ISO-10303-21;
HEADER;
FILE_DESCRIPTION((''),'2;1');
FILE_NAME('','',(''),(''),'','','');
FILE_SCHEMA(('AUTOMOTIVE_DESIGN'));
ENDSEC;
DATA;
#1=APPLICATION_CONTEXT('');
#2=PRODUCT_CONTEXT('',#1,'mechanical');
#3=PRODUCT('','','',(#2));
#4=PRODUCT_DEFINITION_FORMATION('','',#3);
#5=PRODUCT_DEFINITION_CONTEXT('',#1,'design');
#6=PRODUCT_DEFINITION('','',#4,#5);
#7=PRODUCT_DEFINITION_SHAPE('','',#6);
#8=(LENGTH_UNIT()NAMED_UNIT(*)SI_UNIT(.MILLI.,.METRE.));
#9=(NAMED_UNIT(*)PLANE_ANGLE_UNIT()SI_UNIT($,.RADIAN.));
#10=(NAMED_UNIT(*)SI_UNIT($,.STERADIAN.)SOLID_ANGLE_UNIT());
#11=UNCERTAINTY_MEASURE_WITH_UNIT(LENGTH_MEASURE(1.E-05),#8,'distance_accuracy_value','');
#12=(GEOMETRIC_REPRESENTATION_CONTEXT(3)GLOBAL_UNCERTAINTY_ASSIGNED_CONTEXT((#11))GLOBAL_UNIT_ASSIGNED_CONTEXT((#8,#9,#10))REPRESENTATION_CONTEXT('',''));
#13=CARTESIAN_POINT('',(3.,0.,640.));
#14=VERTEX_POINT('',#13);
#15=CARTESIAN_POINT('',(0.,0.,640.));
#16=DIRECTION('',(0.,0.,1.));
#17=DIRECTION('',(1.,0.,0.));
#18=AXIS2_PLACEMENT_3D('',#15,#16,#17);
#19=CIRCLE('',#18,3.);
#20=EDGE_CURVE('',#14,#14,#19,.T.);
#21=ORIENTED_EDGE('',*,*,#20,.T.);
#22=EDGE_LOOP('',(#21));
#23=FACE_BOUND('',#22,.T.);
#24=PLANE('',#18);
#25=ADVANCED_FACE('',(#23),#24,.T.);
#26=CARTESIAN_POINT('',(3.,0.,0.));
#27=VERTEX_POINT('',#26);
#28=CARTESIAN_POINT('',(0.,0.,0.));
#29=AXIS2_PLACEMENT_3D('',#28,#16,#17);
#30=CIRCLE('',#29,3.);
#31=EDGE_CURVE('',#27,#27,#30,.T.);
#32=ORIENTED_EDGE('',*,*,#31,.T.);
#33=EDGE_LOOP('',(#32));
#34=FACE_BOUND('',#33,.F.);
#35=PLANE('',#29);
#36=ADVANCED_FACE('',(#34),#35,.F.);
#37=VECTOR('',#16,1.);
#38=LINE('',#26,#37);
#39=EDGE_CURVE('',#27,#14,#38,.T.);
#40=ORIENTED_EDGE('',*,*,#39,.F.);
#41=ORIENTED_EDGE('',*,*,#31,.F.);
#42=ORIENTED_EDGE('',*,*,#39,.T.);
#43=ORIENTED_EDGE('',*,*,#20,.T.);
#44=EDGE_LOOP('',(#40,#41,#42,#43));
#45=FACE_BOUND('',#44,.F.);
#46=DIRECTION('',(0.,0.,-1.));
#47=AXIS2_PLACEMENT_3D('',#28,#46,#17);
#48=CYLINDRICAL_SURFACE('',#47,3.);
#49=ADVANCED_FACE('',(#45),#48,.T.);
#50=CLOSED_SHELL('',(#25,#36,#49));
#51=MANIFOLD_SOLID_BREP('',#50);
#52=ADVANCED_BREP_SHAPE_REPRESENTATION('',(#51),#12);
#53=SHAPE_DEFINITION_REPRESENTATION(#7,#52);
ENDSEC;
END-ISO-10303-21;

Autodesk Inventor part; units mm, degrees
ref_plane "YZ Plane" through (0, 0, 0) normal (1, 0, 0) x (0, 1, 0)
ref_plane "XZ Plane" through (0, 0, 0) normal (0, 1, 0) x (-1, 0, 0)
ref_plane "Work Plane1" through (2.1516, -2.5028, 640) normal (0, 0, 1) x (0.7481, -0.6636, 0)
sketch "Sketch1" plane through (0, 0, 0) normal (0, 0, 1) x (1, 0, 0)
  circle A0 centre (0, 0) radius 3
  dimension "d0" = 6
extrude "Extrusion1" add sketch "Sketch1" along normal up to surface (640 mm away)
thread "Thread1" size "M6x1" class "6g" standard "ANSI Metric M Profile" full length
properties part number "M6SS" material "Steel"
